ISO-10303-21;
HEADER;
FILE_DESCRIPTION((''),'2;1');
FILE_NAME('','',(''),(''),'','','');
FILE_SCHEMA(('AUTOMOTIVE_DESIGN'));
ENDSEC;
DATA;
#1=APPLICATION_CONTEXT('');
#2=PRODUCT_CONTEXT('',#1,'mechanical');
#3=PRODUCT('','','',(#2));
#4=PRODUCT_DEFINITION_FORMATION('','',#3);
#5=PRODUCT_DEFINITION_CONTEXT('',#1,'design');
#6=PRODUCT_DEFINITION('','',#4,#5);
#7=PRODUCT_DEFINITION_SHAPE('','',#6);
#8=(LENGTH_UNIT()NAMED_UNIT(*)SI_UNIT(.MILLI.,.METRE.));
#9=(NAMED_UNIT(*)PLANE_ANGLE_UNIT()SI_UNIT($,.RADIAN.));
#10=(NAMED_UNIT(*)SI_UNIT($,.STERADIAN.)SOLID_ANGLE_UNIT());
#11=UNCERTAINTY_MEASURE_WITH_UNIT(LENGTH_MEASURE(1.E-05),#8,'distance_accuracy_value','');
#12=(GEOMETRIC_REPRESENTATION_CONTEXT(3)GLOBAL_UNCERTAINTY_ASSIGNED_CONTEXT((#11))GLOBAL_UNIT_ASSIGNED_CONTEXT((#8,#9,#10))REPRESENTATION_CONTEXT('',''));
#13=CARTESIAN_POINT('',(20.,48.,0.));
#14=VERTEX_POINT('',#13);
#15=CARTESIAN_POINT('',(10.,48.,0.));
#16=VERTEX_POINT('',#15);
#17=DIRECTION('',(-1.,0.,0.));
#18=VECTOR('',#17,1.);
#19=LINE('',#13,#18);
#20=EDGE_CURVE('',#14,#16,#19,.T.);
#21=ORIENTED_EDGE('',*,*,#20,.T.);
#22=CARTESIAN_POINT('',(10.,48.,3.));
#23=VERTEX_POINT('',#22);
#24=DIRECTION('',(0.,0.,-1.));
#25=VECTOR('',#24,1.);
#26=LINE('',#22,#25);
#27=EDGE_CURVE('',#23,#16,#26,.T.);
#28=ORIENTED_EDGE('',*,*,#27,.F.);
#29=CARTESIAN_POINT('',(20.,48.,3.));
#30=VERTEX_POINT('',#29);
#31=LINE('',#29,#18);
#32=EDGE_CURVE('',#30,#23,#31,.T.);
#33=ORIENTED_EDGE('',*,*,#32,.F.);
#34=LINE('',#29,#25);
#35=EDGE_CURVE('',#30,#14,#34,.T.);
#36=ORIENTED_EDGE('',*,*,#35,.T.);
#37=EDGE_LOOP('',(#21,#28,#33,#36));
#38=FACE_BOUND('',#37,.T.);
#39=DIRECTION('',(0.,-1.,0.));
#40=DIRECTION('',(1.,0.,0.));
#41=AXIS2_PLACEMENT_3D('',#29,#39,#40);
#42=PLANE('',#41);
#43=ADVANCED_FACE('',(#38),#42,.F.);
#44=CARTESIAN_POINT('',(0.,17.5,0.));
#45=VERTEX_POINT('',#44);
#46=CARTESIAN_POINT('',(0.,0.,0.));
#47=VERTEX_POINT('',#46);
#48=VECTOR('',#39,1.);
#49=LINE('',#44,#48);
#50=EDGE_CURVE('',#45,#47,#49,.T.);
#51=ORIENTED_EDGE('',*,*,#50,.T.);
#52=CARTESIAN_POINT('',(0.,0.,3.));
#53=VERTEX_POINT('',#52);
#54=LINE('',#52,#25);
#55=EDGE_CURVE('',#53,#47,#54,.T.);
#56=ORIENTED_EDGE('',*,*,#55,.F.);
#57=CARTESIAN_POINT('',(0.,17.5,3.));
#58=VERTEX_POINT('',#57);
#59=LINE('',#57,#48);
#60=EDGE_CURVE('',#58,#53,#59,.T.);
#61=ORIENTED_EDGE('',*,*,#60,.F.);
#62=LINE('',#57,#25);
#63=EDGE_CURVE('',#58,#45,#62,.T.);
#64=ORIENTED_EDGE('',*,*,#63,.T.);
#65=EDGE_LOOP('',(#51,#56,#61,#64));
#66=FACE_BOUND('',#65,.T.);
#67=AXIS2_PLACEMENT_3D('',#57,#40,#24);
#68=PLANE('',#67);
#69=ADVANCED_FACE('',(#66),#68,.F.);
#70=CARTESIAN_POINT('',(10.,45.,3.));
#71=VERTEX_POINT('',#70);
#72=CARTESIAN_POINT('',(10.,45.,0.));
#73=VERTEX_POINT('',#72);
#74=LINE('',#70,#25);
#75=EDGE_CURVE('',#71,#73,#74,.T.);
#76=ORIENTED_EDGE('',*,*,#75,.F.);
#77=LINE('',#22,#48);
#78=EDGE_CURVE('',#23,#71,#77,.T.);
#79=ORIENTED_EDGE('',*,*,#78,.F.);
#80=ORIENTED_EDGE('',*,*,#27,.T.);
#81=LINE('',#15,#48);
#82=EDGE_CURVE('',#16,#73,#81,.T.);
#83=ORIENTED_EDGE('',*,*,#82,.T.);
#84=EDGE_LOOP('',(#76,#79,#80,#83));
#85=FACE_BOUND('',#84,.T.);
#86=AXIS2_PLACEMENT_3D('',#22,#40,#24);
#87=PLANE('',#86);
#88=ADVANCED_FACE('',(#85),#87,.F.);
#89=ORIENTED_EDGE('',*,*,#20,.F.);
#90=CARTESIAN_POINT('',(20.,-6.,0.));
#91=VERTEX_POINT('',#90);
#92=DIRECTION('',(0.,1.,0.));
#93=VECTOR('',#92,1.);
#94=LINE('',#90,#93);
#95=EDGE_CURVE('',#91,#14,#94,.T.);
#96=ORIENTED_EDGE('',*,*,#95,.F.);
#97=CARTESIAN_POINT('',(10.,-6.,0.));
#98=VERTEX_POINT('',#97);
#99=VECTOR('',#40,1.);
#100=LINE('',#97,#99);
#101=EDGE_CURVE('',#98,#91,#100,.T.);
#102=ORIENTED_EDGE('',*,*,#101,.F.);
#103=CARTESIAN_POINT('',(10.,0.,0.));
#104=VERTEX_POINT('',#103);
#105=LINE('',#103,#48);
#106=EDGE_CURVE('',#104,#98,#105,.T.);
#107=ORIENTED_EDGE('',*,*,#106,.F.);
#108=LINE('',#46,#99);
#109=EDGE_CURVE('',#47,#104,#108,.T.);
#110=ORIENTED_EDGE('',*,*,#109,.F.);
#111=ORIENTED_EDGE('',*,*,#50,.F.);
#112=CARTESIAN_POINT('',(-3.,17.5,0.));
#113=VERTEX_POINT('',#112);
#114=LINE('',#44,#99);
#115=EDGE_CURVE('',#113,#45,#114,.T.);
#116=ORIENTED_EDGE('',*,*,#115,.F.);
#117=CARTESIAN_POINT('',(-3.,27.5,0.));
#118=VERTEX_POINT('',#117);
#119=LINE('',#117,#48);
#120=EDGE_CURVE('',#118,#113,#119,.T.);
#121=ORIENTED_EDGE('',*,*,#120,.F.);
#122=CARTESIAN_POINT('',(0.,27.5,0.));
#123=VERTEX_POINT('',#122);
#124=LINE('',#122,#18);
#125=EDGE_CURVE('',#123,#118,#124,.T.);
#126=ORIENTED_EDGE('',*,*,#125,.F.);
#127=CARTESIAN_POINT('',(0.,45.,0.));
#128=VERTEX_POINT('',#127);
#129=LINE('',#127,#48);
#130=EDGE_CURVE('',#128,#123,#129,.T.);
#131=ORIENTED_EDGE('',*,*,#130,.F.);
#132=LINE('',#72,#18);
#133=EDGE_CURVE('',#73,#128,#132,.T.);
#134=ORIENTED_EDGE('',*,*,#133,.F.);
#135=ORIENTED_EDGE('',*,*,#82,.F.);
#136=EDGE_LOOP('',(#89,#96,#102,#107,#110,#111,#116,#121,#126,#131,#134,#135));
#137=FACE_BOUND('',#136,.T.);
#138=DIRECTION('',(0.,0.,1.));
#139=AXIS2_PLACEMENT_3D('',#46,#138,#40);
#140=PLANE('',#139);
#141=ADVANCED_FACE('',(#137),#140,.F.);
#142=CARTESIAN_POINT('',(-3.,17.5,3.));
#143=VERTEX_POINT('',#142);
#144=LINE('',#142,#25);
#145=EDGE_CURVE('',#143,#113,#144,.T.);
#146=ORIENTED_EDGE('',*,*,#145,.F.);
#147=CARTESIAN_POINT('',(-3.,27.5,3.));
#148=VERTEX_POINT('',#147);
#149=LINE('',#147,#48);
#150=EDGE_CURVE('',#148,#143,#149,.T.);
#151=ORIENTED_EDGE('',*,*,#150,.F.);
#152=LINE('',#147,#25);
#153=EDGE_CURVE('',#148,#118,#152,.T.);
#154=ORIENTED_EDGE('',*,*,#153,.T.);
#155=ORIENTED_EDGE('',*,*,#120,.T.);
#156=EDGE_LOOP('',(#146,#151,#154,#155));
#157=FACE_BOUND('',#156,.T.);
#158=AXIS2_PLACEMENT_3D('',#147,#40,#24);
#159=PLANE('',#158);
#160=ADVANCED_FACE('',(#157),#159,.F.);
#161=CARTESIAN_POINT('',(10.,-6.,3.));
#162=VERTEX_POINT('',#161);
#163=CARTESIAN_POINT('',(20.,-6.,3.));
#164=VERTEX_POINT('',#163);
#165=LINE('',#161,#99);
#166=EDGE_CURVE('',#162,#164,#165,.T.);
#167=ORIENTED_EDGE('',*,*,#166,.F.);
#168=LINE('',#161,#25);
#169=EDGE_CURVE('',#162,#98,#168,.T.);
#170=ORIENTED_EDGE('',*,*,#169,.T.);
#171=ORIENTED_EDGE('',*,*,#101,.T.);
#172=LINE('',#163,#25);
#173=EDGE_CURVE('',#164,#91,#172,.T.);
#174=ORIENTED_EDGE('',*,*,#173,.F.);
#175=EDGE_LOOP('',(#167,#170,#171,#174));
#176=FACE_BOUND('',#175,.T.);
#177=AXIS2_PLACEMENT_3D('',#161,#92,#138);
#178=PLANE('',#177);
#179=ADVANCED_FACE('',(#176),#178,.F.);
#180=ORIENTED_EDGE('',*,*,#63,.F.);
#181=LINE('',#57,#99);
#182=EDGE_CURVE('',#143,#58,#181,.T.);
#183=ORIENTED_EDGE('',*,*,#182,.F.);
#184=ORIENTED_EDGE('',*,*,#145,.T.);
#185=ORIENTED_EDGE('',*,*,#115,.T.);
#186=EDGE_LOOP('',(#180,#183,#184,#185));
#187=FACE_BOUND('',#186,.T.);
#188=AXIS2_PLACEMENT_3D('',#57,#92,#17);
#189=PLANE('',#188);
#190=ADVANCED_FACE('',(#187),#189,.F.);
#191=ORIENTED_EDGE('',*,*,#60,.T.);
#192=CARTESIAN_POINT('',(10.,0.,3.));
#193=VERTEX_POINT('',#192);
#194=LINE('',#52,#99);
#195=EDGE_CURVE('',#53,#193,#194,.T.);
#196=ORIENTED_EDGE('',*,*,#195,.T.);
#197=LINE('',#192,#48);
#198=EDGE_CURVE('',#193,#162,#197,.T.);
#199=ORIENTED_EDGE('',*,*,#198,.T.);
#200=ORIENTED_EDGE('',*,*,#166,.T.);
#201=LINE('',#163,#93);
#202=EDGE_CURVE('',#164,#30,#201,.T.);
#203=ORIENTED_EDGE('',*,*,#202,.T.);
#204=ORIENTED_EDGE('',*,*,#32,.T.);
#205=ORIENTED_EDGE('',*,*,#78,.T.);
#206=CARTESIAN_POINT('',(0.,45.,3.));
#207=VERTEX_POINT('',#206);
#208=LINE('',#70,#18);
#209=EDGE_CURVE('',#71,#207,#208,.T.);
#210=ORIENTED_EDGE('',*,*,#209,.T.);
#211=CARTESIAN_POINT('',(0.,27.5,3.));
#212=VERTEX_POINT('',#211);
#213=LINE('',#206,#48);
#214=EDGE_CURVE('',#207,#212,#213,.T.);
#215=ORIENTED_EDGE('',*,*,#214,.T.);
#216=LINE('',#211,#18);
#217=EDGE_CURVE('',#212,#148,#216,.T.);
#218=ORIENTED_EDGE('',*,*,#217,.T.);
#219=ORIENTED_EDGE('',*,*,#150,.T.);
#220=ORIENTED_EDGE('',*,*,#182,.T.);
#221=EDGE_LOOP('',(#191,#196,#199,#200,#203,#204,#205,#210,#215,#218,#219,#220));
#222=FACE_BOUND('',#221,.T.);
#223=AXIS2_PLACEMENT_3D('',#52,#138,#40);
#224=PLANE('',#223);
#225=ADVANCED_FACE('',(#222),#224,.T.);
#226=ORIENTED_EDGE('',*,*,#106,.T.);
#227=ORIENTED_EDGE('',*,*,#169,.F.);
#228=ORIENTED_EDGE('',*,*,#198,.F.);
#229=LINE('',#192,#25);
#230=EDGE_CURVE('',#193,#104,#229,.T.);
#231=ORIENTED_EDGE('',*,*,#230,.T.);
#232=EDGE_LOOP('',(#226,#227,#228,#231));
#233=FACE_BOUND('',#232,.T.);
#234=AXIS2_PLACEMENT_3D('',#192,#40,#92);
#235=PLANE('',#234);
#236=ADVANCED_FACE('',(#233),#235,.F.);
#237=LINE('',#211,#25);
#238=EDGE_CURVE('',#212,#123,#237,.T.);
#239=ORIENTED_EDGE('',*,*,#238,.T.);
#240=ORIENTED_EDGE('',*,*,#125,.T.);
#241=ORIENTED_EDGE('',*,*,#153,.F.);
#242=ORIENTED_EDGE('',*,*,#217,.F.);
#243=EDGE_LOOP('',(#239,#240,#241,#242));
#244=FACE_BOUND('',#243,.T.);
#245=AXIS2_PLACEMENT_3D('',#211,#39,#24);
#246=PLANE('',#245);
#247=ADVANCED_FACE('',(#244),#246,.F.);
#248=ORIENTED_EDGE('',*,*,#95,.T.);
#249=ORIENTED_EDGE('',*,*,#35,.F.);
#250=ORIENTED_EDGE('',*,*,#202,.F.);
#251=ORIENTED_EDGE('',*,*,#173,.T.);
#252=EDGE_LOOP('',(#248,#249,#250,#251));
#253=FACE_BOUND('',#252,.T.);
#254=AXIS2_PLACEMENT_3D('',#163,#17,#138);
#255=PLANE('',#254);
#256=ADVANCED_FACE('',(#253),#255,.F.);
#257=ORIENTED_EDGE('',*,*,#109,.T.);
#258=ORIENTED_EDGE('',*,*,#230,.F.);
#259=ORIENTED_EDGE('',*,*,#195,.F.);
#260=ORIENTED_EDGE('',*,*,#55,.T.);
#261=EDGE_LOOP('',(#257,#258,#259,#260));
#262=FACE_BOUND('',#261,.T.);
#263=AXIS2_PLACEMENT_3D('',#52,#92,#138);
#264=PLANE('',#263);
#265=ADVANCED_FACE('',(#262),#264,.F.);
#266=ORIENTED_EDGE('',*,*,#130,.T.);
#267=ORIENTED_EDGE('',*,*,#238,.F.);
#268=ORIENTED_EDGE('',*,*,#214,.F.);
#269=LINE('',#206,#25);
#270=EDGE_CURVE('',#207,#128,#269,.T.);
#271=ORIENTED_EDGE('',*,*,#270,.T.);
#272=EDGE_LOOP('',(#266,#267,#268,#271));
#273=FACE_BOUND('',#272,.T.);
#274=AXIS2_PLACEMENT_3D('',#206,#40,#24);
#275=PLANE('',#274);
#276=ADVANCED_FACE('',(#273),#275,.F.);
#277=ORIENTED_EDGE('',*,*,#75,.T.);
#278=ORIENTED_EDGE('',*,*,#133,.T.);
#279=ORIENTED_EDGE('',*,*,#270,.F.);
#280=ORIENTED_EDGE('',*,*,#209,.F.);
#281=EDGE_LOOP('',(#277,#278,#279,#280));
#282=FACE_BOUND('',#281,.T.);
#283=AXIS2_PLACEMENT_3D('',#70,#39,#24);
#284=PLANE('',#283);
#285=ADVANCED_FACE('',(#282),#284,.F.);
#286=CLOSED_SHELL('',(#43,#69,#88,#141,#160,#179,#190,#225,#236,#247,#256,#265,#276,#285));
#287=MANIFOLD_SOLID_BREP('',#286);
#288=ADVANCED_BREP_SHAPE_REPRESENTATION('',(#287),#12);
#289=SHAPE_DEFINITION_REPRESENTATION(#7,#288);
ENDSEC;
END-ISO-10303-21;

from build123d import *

# Parameters (mm, degrees)
BOSS_EXTRUDE1_DEPTH = 3


with BuildPart() as part:
    # Sketch1 → Boss-Extrude1 (new body)
    with BuildSketch(Plane.XY):
        Polygon((0, 0), (10, 0), (10, -6), (20, -6), (20, 48), (10, 48), (10, 45), (0, 45), (0, 27.5), (-3, 27.5), (-3, 17.5), (0, 17.5), align=None)
    extrude(amount=BOSS_EXTRUDE1_DEPTH)


solid = part.part
